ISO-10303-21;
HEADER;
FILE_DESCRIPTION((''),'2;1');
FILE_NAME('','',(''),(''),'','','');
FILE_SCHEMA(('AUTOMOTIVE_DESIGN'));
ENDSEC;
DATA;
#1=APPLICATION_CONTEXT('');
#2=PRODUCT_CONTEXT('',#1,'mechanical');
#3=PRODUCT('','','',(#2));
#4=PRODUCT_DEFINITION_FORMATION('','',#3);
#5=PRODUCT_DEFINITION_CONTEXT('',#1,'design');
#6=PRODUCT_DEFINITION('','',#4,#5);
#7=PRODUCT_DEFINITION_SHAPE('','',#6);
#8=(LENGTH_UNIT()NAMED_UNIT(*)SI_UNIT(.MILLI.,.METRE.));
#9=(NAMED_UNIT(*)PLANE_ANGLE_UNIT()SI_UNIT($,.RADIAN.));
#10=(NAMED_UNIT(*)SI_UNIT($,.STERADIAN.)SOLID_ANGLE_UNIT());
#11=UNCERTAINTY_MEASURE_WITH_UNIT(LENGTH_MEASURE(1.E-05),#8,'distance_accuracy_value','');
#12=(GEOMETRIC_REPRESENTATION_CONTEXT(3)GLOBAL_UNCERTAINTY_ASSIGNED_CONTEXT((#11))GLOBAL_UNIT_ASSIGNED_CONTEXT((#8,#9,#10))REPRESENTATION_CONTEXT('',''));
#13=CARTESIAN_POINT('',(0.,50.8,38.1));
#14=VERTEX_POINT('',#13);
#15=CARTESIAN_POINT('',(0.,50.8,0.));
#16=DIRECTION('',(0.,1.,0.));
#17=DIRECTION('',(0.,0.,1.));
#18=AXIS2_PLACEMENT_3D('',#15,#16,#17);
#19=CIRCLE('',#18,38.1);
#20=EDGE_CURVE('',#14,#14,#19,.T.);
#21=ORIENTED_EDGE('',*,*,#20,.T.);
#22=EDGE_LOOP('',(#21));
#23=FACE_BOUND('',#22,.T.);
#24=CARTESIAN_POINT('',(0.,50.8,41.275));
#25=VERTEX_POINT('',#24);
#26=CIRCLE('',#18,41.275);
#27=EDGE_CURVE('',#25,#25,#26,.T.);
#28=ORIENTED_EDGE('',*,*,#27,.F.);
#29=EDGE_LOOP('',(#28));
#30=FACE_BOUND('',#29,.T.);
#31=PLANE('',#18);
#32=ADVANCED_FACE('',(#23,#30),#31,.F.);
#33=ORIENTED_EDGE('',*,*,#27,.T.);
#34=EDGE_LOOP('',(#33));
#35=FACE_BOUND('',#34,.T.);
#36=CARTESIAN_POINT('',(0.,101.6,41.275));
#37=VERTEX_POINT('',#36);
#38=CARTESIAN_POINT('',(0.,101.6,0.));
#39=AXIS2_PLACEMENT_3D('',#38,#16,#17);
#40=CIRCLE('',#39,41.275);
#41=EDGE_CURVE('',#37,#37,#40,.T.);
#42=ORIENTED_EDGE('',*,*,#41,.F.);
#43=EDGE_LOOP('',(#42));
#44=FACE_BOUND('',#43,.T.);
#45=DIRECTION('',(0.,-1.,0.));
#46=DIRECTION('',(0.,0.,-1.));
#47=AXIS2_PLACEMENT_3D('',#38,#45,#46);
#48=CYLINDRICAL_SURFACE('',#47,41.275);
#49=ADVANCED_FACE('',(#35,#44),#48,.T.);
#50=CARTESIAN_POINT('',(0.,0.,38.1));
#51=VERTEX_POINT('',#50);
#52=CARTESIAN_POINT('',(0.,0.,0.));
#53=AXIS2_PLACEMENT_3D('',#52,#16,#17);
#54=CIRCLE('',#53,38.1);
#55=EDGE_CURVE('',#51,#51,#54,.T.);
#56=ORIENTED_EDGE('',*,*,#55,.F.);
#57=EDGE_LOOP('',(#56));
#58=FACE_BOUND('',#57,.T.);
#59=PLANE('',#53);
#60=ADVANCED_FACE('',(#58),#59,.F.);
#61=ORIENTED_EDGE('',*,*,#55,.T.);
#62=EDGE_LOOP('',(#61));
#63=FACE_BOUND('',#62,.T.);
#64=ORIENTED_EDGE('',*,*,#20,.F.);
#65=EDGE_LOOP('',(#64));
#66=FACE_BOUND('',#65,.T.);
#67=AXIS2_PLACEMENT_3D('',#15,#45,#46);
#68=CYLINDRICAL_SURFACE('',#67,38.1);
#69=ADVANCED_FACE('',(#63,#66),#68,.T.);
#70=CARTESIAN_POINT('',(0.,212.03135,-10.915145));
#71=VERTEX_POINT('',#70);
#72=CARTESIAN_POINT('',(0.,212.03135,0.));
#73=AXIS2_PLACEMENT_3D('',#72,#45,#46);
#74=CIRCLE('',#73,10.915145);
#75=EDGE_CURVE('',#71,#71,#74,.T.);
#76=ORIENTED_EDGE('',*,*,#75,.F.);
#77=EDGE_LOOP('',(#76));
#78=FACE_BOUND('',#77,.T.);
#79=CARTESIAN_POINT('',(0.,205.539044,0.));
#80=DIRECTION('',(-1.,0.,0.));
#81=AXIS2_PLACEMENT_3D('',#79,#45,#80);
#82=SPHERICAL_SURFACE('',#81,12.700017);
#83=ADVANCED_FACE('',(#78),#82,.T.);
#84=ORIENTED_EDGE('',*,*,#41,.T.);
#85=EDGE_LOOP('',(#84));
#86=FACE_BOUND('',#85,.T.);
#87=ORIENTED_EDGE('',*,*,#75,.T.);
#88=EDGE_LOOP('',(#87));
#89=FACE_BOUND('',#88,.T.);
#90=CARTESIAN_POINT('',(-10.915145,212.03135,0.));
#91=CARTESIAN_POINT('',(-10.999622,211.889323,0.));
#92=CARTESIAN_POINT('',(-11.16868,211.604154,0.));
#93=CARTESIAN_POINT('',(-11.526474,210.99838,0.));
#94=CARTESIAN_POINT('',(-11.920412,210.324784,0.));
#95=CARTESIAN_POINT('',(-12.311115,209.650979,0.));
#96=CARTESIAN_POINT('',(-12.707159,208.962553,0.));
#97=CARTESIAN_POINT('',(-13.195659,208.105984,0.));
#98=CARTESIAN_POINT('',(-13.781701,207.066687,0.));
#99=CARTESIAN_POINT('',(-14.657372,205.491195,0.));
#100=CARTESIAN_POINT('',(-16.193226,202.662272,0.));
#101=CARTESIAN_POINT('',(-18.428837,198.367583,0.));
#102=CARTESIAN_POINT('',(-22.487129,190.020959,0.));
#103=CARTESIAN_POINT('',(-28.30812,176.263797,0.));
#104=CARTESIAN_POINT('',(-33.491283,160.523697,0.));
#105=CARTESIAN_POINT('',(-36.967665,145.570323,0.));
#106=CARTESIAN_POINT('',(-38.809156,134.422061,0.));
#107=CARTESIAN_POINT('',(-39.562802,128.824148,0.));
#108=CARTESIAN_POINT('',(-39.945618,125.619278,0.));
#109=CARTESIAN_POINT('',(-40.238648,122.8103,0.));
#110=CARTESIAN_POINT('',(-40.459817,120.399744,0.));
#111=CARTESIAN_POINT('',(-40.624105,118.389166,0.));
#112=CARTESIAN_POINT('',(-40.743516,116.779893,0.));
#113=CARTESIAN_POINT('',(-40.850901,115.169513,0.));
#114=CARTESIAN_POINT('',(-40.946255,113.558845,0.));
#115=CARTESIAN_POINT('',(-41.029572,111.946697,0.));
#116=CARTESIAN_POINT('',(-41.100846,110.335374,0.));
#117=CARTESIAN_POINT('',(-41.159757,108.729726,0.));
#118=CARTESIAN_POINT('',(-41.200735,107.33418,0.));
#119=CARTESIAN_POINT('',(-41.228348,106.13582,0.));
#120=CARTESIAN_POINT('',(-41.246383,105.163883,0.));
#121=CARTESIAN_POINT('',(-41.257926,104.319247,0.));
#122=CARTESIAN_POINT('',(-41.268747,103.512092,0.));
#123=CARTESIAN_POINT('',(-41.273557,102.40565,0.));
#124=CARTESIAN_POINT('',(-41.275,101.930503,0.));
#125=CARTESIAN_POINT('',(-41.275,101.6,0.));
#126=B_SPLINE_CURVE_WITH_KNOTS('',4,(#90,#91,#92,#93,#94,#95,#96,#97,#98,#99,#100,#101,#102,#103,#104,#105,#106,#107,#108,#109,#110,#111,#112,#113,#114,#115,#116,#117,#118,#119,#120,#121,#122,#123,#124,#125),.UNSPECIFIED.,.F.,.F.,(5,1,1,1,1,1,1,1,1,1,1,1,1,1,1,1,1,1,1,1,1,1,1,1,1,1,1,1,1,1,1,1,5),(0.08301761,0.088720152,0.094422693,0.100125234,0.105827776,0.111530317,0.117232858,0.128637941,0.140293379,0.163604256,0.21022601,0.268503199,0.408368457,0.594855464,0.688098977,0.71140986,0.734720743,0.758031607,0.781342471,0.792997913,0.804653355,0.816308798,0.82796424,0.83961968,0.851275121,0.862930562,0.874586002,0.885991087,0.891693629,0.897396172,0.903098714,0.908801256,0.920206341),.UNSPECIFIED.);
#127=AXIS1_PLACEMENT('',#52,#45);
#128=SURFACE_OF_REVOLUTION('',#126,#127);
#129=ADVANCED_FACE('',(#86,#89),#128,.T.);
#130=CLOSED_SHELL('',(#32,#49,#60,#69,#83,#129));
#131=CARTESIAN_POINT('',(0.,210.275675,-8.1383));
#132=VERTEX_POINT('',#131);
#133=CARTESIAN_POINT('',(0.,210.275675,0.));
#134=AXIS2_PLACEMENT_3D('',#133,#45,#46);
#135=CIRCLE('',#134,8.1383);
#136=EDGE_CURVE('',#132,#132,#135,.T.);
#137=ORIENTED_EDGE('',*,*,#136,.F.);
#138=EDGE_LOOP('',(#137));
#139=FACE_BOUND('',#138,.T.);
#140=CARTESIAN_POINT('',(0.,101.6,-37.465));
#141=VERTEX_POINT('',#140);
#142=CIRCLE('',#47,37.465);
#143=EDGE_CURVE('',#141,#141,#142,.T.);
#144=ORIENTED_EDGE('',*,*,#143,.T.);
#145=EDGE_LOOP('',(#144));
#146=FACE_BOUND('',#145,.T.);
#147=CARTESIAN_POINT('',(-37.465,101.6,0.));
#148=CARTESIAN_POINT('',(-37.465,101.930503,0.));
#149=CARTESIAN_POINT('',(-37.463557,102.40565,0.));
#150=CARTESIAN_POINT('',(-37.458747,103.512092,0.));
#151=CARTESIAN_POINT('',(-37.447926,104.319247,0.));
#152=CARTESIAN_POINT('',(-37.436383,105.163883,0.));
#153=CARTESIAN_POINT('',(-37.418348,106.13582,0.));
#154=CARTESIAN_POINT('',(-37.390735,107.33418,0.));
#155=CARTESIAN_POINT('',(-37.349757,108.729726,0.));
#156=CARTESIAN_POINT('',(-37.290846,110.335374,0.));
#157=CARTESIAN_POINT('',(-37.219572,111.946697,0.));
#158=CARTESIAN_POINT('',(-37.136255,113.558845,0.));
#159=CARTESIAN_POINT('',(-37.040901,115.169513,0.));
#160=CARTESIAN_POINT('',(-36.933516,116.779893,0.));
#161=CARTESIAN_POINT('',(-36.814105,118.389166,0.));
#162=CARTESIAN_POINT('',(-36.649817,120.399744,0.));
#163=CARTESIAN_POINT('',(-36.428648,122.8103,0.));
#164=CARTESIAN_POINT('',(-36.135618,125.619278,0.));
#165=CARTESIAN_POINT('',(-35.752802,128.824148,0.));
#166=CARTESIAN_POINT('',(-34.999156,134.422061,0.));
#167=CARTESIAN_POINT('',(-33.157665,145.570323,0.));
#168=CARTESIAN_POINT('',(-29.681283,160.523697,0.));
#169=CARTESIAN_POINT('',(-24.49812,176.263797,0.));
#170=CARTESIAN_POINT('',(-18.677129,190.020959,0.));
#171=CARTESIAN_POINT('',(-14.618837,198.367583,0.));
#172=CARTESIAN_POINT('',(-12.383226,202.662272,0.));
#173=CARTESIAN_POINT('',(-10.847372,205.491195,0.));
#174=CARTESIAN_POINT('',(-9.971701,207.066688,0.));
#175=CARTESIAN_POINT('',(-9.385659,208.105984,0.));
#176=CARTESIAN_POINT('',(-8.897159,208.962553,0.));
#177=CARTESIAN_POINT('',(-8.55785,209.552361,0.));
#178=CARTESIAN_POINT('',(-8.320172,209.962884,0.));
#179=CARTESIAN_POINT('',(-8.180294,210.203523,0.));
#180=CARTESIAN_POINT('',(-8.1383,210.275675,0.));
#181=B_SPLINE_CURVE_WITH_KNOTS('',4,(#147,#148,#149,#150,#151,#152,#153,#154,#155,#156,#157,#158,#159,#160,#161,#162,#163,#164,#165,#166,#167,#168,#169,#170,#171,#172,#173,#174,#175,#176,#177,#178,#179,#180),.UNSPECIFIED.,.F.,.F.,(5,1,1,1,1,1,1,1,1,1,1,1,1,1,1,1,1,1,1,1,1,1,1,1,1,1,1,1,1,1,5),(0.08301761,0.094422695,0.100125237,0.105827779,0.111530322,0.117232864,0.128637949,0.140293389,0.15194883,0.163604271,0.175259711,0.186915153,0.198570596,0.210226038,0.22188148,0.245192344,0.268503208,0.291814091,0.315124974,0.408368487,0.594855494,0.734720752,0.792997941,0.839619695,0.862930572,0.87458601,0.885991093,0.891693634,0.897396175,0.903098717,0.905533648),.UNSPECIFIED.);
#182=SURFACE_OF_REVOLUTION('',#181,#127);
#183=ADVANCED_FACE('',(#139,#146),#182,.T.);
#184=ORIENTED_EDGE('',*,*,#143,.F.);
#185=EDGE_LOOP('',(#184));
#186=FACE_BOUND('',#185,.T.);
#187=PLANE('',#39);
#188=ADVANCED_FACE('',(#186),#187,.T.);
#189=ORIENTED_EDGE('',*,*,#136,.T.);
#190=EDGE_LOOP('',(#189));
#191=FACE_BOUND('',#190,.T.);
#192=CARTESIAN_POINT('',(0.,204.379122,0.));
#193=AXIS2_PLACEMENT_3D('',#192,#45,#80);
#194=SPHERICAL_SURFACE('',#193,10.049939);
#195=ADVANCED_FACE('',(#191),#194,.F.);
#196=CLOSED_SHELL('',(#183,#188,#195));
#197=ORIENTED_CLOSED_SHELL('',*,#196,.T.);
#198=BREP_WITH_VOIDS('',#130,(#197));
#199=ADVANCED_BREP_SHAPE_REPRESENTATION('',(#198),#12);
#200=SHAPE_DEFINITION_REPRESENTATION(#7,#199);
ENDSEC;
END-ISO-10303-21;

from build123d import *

# Parameters (mm, degrees)
SKETCH1_R           = 38.1
BOSS_EXTRUDE1_DEPTH = 50.8
SKETCH2_R           = 41.275
BOSS_EXTRUDE2_DEPTH = 50.8


with BuildPart() as part:
    # Sketch1 → Boss-Extrude1 (new body)
    with BuildSketch(Plane(origin=(0, 0, 0), x_dir=(1, 0, 0), z_dir=(0, 1, 0))):
        with Locations(Location((0, 0, 0), (0, 0, 270))):
            Circle(SKETCH1_R)
    extrude(amount=BOSS_EXTRUDE1_DEPTH)

    # Sketch2 → Boss-Extrude2 (add)
    with BuildSketch(Plane(origin=(0, 50.8, 0), x_dir=(1, 0, 0), z_dir=(0, 1, 0))):
        with Locations(Location((0, 0, 0), (0, 0, 270))):
            Circle(SKETCH2_R)
    extrude(amount=BOSS_EXTRUDE2_DEPTH)

    # Sketch3 → Revolve17 (revolve)
    with BuildSketch(Plane.XY):
        with BuildLine():
            Line((0, 214.429060371), (0, 218.239060371))
            ThreePointArc((0, 218.239060371), (-6.278456146, 216.578582298), (-10.915144585, 212.031350247))
            add(Edge.make_bspline(
                [(-41.275, 101.6), (-41.275, 101.930502855), (-41.273557103, 102.40564964), (-41.268747446, 103.512092248), (-41.257925909, 104.319246857), (-41.246383117, 105.163883335), (-41.228347866, 106.135820012), (-41.200734551, 107.334179726), (-41.159757311, 108.729726347), (-41.100846347, 110.335373987), (-41.029571588, 111.946697142), (-40.946255064, 113.558844584), (-40.850901423, 115.169512919), (-40.743515987, 116.779892998), (-40.624104745, 118.389166096), (-40.459816828, 120.399743968), (-40.238647793, 122.810299788), (-39.945617875, 125.619277994), (-39.562802148, 128.824148418), (-38.809156369, 134.422061303), (-36.96766496, 145.570323281), (-33.49128341, 160.52369707), (-28.30812049, 176.263796505), (-22.487129194, 190.02095936), (-18.428836954, 198.367582764), (-16.193226279, 202.662272388), (-14.657371604, 205.491195217), (-13.781700582, 207.066687496), (-13.19565908, 208.105983946), (-12.707159013, 208.962552916), (-12.311115433, 209.650979413), (-11.92041177, 210.324783551), (-11.526473808, 210.998380475), (-11.168679866, 211.6041541), (-10.999621727, 211.88932335), (-10.915144585, 212.031350247)],
                knots=[0.08301761, 0.08301761, 0.08301761, 0.08301761, 0.08301761, 0.094422695, 0.100125237, 0.105827779, 0.111530322, 0.117232864, 0.128637949, 0.140293389, 0.15194883, 0.163604271, 0.175259711, 0.186915153, 0.198570596, 0.210226038, 0.22188148, 0.245192344, 0.268503208, 0.291814091, 0.315124974, 0.408368487, 0.594855494, 0.734720752, 0.792997941, 0.839619695, 0.862930572, 0.87458601, 0.885991093, 0.891693634, 0.897396175, 0.903098717, 0.908801258, 0.914503799, 0.920206341, 0.920206341, 0.920206341, 0.920206341, 0.920206341], degree=4))
            Line((-41.275, 101.6), (-37.465, 101.6))
            add(Edge.make_bspline(
                [(-37.465, 101.6), (-37.465, 101.930502867), (-37.463557103, 102.405649652), (-37.458747445, 103.51209226), (-37.447925909, 104.31924687), (-37.436383117, 105.163883348), (-37.418347866, 106.135820025), (-37.39073455, 107.334179738), (-37.349757311, 108.729726359), (-37.290846347, 110.335373999), (-37.219571587, 111.946697154), (-37.136255063, 113.558844596), (-37.040901422, 115.169512931), (-36.933515986, 116.779893011), (-36.814104744, 118.389166108), (-36.649816827, 120.39974398), (-36.428647791, 122.8102998), (-36.135617873, 125.619278007), (-35.752802146, 128.82414843), (-34.999156367, 134.422061315), (-33.157664958, 145.570323293), (-29.681283406, 160.523697081), (-24.498120486, 176.263796517), (-18.677129189, 190.020959371), (-14.618836949, 198.367582775), (-12.383226273, 202.662272399), (-10.847371598, 205.491195228), (-9.971700576, 207.066687506), (-9.385659074, 208.105983957), (-8.897159007, 208.962552926), (-8.557849604, 209.552360704), (-8.32017223, 209.962884372), (-8.180293781, 210.203522785), (-8.13830032, 210.275674617)],
                knots=[0.08301761, 0.08301761, 0.08301761, 0.08301761, 0.08301761, 0.094422695, 0.100125237, 0.105827779, 0.111530322, 0.117232864, 0.128637949, 0.140293389, 0.15194883, 0.163604271, 0.175259711, 0.186915153, 0.198570596, 0.210226038, 0.22188148, 0.245192344, 0.268503208, 0.291814091, 0.315124974, 0.408368487, 0.594855494, 0.734720752, 0.792997941, 0.839619695, 0.862930572, 0.87458601, 0.885991093, 0.891693634, 0.897396175, 0.903098717, 0.905533648, 0.905533648, 0.905533648, 0.905533648, 0.905533648], degree=4))
            ThreePointArc((-8.13830032, 210.275674617), (-4.568439157, 213.330693141), (0, 214.429060371))
        make_face()
    revolve(axis=Axis((0, 0, 0), (0, 1, 0)))


solid = part.part
